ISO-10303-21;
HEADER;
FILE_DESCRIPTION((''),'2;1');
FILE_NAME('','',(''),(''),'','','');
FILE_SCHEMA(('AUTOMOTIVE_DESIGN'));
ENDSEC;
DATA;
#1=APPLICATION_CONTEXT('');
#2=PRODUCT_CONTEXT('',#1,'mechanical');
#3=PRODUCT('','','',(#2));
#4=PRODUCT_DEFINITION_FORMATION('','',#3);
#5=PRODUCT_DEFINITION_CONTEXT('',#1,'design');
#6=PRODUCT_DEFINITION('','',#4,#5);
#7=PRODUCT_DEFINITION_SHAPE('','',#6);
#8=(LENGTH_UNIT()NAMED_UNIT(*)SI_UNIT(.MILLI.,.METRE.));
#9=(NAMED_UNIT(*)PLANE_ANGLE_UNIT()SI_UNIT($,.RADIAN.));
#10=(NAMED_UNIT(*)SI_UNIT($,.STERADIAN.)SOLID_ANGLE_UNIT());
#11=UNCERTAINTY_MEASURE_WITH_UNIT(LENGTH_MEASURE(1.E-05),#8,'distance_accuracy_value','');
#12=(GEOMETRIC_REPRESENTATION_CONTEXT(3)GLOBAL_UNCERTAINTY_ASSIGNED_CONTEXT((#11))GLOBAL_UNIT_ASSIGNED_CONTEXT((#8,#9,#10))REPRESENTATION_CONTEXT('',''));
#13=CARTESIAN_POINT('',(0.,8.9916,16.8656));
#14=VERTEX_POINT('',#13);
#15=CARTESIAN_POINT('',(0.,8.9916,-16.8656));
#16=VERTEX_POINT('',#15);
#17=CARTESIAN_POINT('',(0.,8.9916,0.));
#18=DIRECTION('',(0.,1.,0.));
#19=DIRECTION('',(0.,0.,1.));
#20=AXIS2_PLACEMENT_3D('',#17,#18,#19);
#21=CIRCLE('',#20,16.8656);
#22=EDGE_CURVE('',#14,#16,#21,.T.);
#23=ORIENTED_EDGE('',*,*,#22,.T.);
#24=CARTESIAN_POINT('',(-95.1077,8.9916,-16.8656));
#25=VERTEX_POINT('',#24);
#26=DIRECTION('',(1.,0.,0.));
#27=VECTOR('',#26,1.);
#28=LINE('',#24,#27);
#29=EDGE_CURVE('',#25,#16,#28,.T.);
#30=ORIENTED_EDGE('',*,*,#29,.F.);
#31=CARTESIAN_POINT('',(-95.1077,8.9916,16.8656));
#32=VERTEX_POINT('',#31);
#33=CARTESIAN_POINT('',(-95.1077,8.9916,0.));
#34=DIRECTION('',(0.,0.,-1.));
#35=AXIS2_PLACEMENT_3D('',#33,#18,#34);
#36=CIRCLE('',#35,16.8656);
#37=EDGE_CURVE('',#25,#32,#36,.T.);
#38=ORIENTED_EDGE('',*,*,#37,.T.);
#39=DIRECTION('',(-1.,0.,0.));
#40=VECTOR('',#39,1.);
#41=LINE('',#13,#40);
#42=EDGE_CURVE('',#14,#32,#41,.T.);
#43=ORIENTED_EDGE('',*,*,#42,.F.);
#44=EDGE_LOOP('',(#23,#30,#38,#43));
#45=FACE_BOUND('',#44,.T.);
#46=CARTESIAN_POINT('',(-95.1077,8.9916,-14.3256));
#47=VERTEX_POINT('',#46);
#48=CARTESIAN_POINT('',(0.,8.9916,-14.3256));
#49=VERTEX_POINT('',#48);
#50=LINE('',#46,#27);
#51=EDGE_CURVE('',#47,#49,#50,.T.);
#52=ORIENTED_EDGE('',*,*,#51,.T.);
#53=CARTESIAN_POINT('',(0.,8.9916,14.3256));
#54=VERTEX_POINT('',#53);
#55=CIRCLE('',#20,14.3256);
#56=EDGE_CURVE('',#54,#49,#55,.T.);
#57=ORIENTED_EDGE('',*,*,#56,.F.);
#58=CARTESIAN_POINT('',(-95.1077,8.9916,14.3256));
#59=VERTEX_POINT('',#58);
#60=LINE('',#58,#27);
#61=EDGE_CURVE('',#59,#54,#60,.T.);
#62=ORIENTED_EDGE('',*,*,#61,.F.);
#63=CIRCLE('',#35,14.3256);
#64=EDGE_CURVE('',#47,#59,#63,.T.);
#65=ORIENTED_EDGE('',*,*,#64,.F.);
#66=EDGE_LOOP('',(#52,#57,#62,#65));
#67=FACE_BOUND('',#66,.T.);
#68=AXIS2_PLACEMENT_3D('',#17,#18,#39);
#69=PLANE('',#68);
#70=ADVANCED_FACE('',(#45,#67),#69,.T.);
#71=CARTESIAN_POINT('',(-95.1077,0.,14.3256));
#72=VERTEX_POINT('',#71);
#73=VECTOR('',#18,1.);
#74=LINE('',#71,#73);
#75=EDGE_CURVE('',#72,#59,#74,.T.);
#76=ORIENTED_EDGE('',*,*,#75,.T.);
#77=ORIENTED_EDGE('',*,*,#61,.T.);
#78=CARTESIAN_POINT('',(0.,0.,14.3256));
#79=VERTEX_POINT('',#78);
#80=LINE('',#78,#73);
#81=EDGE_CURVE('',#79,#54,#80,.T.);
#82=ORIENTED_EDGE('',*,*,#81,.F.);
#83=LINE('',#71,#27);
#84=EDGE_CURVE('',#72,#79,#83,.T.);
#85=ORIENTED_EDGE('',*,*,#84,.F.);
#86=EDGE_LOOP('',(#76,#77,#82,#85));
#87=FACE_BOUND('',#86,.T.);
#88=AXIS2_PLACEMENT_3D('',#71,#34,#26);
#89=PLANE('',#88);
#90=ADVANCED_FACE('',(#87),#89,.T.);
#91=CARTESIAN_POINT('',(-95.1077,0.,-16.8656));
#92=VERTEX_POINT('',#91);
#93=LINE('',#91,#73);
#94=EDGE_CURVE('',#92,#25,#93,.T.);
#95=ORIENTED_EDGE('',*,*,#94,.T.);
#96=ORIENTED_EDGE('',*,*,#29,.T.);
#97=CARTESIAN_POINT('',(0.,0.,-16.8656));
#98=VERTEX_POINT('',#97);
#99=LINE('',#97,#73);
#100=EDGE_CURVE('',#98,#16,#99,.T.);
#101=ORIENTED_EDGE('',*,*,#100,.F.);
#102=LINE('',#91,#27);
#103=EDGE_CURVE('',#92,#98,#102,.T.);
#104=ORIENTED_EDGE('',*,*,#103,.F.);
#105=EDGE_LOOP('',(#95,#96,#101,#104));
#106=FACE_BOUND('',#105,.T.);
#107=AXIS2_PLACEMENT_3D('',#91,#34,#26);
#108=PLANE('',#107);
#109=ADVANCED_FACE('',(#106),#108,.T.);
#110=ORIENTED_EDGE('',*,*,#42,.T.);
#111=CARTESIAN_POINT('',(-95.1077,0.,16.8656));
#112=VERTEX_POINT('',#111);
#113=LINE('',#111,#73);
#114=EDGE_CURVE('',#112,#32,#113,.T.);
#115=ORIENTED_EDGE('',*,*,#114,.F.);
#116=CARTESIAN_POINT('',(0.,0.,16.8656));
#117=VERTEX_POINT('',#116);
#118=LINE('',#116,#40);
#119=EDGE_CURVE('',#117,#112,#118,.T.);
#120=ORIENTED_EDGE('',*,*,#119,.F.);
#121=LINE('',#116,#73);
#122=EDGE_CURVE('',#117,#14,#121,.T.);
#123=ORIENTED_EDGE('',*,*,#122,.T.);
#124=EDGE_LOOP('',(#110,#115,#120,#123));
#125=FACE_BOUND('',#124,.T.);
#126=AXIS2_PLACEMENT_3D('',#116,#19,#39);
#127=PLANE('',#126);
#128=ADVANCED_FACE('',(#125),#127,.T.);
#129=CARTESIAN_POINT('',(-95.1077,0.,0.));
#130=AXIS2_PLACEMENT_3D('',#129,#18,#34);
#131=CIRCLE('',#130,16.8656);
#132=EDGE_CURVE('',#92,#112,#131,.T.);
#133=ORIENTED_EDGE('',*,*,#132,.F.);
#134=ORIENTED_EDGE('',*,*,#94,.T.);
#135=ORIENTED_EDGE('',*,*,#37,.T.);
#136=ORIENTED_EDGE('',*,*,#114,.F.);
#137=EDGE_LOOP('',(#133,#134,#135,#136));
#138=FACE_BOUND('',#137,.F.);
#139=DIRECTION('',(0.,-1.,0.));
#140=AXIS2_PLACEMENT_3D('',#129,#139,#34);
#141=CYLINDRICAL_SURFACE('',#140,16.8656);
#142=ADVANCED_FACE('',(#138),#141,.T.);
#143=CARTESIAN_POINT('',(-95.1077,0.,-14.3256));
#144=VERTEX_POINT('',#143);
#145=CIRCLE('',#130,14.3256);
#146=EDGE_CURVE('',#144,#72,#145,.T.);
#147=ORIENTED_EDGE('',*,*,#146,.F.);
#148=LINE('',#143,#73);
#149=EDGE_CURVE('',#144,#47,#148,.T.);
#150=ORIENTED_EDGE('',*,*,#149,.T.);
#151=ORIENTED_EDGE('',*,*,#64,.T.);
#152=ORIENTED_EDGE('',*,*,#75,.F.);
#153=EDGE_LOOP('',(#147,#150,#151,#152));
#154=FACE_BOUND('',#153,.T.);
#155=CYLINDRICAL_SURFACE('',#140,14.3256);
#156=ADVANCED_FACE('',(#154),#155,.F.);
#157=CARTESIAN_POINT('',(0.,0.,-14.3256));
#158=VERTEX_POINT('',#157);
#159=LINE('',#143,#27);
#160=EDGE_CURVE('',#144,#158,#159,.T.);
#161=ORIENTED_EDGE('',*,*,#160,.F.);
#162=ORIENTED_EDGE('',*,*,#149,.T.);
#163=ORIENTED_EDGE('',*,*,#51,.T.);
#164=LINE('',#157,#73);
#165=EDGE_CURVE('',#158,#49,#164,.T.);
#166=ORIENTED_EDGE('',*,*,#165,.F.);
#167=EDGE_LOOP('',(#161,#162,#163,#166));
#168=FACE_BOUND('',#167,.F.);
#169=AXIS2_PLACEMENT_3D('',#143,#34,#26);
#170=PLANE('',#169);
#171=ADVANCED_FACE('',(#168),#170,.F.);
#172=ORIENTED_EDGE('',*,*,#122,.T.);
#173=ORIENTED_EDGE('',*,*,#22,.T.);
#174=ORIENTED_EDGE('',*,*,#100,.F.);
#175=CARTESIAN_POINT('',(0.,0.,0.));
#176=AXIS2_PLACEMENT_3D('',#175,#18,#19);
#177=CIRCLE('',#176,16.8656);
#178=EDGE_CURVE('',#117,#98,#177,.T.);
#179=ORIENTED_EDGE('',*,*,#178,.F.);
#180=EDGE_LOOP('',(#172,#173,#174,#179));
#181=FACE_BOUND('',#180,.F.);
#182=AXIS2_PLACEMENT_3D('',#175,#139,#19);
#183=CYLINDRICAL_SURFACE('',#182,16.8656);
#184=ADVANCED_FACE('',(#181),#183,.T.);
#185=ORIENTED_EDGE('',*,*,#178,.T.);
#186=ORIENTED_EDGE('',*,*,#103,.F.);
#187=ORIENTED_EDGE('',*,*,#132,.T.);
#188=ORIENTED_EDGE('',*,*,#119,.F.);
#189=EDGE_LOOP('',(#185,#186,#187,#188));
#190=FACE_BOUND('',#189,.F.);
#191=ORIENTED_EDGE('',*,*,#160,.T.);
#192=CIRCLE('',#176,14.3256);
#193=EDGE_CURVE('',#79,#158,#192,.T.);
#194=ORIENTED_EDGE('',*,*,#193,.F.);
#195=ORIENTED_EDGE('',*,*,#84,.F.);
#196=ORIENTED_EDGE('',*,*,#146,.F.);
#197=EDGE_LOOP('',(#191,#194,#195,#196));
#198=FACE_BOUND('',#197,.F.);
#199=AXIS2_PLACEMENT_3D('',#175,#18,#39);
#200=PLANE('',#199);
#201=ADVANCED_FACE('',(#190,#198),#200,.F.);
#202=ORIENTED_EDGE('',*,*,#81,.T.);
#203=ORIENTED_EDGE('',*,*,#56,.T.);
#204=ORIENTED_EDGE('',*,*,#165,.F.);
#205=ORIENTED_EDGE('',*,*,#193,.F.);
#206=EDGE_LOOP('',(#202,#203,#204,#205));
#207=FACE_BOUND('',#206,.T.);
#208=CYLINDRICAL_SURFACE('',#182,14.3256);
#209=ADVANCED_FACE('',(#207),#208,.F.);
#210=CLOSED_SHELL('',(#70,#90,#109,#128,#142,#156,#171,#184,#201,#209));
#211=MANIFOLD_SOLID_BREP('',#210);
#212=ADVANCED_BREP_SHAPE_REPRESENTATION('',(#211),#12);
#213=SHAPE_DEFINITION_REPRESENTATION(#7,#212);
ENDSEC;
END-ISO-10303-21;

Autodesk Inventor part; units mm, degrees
ref_plane "YZ Plane" through (0, 0, 0) normal (1, 0, 0) x (0, 1, 0)
ref_plane "XZ Plane" through (0, 0, 0) normal (0, 1, 0) x (-1, 0, 0)
ref_plane "XY Plane" through (0, 0, 0) normal (0, 0, 1) x (1, 0, 0)
sketch "Sketch1" plane through (0, 0, 0) normal (0, 1, 0) x (-1, 0, 0)
  circle A0 centre (0, 0) radius 14.3256 construction
  line L0 (0, 0) -> (95.1077, 0) construction
  circle A1 centre (95.1077, 0) radius 14.3256 construction
  line L1 (95.1077, 14.3256) -> (0, 14.3256)
  line L2 (95.1077, -14.3256) -> (0, -14.3256)
  arc A2 (95.1077, -14.3256) -> (95.1077, 14.3256) centre (95.1077, 0) ccw
  arc A3 (0, 14.3256) -> (0, -14.3256) centre (0, 0) ccw
  line L3 (0, 16.8656) -> (95.1077, 16.8656)
  arc A4 (95.1077, -16.8656) -> (95.1077, 16.8656) centre (95.1077, 0) ccw
  line L4 (95.1077, -16.8656) -> (0, -16.8656)
  arc A5 (0, 16.8656) -> (0, -16.8656) centre (0, 0) ccw
  dimension "d0" = 28.6512
  dimension "d1" = 95.1077
  dimension "d2" = 28.6512
  dimension "d3" = 2.54
extrude "Extrusion1" add sketch "Sketch1" along normal blind 8.9916
properties part number "INTK_012_Belt4" material "Rubber, Silicone"
